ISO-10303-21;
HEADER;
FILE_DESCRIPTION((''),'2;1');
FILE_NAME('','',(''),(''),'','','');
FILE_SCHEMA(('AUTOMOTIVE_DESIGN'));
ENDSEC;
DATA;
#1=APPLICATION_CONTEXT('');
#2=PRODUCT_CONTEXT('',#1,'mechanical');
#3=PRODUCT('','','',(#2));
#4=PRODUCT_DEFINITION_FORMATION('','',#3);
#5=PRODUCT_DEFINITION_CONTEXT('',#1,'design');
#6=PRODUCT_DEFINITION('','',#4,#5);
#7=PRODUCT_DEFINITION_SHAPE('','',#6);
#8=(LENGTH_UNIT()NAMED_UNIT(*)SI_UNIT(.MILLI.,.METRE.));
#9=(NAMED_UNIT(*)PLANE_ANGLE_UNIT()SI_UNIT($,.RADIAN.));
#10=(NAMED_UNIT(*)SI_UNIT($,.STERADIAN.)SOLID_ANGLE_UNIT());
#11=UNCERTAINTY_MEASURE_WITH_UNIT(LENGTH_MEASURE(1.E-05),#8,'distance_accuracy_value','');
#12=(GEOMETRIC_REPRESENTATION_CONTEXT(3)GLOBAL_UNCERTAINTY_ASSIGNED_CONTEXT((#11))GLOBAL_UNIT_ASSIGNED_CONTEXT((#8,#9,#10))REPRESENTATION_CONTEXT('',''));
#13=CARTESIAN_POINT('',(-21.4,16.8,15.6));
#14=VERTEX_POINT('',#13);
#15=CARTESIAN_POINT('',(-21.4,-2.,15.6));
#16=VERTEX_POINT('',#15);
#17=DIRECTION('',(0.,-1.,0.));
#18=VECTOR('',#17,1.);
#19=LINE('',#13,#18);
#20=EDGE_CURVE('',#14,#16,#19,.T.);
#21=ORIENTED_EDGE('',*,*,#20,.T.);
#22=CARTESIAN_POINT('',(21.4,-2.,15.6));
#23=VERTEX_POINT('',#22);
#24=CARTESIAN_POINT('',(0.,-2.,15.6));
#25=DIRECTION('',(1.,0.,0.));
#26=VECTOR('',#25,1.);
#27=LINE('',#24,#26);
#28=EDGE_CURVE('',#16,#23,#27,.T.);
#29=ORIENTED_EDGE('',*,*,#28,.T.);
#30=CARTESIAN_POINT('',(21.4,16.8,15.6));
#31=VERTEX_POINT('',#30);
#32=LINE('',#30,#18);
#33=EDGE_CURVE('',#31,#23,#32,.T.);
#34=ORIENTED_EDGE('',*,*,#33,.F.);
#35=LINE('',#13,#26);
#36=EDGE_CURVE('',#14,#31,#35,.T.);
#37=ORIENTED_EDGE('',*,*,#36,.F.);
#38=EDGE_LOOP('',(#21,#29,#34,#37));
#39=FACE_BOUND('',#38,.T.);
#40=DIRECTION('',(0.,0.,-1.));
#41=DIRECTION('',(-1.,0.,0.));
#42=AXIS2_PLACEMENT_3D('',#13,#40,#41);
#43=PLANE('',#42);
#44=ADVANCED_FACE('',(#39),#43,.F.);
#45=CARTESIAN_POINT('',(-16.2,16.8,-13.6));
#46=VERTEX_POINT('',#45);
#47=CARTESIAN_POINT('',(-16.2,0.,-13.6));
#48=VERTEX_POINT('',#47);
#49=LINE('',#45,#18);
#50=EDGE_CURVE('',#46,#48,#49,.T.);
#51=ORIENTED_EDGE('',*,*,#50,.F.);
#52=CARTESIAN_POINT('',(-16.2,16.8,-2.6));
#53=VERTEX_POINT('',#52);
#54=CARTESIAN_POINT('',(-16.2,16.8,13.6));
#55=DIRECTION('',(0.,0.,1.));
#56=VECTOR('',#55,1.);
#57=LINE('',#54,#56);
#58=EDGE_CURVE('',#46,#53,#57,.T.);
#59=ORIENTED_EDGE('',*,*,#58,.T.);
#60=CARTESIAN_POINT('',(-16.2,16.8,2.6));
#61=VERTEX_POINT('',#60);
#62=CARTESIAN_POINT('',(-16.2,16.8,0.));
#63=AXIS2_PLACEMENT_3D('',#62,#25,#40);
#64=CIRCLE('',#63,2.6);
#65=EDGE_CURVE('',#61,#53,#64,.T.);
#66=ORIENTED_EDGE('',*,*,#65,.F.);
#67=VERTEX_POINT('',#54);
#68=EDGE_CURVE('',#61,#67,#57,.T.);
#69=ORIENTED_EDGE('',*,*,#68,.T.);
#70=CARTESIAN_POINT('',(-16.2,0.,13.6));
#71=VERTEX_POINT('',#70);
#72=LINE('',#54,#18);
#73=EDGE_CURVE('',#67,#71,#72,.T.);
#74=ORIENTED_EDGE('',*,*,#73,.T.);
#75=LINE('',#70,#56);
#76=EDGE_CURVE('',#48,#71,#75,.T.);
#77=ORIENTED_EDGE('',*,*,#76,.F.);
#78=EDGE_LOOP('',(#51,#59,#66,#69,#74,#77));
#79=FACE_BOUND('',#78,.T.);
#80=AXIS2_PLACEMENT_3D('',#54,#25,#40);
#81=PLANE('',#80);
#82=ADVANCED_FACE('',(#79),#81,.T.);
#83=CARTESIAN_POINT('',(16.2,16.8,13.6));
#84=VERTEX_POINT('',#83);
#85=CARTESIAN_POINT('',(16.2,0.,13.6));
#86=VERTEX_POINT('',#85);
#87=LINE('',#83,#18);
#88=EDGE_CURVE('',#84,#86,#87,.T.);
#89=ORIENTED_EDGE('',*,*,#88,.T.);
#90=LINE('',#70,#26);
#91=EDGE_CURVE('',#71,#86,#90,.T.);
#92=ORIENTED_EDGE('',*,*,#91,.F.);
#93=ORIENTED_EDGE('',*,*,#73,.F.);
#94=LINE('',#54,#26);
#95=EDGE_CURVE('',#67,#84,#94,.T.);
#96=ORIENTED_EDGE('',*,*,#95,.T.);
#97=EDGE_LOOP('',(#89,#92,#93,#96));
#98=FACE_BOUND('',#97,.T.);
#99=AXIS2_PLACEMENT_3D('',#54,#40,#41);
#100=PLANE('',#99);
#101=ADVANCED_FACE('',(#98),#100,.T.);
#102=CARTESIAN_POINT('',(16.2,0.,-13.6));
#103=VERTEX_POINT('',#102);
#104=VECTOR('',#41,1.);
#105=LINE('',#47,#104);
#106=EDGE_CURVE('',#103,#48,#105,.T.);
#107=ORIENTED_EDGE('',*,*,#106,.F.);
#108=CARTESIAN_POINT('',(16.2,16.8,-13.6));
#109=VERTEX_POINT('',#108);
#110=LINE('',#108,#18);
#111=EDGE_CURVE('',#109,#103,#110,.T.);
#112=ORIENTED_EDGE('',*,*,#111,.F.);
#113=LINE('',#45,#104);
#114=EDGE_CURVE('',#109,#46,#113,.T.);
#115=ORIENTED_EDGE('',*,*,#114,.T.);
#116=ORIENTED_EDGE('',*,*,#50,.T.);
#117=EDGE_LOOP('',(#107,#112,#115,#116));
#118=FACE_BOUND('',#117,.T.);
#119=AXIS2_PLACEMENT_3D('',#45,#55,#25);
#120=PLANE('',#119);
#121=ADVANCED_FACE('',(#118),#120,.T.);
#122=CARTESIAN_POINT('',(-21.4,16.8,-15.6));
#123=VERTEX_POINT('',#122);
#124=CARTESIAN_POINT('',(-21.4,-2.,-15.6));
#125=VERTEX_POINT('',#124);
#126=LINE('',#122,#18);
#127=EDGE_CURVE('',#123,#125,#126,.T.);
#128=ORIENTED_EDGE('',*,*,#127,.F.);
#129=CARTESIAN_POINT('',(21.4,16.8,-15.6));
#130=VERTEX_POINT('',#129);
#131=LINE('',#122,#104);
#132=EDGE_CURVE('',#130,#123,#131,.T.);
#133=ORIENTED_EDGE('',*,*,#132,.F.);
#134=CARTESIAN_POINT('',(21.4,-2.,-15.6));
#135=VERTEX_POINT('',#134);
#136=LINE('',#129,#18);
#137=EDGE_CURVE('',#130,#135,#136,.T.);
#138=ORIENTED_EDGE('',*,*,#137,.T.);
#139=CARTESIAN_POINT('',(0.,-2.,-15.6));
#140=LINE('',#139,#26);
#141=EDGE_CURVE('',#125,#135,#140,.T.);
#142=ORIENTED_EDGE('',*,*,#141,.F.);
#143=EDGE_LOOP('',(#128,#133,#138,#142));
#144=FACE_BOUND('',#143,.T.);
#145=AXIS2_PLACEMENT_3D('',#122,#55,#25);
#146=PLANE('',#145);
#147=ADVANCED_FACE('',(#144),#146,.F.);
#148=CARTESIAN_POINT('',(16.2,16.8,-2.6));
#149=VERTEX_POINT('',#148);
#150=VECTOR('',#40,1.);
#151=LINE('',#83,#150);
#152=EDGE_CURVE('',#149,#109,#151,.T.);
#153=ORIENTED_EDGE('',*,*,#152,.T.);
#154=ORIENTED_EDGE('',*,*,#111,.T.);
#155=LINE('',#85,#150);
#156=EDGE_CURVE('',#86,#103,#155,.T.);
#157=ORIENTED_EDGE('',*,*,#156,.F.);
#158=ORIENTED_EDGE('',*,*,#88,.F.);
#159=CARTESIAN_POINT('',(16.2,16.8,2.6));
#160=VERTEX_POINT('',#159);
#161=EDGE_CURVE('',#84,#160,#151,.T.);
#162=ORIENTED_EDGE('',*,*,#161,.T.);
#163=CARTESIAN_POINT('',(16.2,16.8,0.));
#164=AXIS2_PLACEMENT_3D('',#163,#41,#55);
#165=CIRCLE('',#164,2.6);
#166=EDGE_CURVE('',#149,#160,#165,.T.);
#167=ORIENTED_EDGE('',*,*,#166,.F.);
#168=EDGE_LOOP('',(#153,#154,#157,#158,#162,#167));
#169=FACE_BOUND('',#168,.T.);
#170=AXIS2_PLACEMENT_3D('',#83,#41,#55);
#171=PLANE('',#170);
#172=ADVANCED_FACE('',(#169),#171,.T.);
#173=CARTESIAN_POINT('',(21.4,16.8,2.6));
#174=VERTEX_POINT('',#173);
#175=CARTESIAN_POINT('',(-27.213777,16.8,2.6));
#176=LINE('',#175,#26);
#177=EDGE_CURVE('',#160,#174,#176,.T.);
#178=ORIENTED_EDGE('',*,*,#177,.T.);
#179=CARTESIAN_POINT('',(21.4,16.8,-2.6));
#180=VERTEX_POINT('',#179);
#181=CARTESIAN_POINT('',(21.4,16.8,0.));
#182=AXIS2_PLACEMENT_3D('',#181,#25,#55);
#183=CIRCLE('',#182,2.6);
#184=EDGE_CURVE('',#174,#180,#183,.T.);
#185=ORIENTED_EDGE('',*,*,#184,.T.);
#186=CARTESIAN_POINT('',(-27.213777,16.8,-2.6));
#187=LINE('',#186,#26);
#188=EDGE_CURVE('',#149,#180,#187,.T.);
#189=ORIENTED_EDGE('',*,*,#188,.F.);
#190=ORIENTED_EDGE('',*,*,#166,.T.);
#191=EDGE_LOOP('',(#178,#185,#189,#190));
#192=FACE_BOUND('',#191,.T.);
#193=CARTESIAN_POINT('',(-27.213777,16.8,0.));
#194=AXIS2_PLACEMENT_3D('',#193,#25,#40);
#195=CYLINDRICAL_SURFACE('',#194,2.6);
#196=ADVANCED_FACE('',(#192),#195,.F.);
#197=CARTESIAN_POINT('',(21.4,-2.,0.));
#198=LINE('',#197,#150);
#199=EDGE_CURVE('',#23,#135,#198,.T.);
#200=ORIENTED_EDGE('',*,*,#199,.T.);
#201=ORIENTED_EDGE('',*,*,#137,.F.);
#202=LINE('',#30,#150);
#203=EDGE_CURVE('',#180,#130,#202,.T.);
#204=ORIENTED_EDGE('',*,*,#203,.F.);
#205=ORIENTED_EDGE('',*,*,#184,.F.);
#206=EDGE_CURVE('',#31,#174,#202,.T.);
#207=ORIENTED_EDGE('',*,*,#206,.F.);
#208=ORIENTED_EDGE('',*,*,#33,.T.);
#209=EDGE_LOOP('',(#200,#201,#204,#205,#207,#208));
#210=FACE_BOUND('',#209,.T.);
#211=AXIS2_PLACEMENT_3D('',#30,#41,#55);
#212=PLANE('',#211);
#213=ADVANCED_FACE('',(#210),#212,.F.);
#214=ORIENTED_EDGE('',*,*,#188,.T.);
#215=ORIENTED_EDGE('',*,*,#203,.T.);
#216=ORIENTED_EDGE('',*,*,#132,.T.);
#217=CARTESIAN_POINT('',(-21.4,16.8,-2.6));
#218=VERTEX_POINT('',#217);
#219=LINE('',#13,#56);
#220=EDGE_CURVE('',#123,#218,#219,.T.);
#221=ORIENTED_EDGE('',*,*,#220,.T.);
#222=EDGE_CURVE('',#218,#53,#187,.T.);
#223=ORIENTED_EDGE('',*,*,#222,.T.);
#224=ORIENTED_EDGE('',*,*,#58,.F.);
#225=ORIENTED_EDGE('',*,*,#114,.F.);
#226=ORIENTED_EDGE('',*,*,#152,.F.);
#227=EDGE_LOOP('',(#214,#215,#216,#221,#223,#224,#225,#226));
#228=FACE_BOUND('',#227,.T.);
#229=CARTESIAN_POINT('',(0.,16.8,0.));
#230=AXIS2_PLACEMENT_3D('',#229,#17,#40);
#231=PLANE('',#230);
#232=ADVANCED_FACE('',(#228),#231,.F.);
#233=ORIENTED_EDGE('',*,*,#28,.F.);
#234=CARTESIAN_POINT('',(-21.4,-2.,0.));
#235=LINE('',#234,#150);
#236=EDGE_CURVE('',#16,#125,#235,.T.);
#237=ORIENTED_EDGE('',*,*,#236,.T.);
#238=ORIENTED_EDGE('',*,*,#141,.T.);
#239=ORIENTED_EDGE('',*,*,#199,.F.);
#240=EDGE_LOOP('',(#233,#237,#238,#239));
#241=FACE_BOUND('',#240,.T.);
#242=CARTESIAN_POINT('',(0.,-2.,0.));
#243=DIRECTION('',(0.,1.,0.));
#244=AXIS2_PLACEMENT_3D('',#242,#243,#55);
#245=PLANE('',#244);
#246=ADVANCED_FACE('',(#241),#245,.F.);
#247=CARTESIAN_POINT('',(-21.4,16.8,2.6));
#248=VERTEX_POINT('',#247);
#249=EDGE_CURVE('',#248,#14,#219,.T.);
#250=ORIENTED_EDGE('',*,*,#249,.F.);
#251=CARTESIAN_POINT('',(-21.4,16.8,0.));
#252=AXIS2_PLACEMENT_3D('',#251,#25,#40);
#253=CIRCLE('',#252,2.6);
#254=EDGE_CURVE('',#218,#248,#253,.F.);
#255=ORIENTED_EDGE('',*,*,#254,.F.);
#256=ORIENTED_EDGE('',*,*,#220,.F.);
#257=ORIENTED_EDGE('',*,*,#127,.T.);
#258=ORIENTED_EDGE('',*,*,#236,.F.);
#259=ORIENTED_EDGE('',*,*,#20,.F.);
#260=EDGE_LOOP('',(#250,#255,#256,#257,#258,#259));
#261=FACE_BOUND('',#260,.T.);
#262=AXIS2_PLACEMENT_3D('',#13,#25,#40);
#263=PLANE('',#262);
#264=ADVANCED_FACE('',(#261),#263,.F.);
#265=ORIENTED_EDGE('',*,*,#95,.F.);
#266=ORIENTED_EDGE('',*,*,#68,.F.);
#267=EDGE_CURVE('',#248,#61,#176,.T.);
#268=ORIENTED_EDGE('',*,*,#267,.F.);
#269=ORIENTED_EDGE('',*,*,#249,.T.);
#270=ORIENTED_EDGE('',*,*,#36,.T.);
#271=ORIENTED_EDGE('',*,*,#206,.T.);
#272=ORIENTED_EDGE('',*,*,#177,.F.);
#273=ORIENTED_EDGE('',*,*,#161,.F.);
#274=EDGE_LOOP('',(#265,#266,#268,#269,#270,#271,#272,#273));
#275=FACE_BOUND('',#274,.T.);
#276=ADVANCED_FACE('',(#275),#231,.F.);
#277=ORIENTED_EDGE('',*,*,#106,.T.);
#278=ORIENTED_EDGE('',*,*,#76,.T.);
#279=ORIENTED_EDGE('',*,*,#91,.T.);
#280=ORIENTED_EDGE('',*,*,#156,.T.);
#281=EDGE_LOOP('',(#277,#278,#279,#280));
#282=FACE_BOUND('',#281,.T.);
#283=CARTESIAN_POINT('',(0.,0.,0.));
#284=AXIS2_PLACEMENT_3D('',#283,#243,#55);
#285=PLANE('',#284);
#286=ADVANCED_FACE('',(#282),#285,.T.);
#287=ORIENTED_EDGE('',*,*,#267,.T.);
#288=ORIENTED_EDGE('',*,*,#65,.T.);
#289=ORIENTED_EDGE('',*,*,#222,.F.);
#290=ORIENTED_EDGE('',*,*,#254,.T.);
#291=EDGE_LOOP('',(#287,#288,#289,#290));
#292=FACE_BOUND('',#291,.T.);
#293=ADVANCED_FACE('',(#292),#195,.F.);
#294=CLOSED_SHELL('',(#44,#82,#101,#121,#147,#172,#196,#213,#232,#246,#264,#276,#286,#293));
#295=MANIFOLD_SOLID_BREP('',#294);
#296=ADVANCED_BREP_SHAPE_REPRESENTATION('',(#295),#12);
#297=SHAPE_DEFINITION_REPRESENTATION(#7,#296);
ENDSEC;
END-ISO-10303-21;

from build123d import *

# Parameters (mm, degrees)
CROQUIS1_W              = 42.8
CROQUIS1_H              = 31.2
CROQUIS1_W_2            = 32.4
CROQUIS1_H_2            = 27.2
SALIENTE_EXTRUIR1_DEPTH = 16.8
CROQUIS1_2_W            = 42.8
CROQUIS1_2_H            = 31.2
CROQUIS1_2_W_2          = 32.4
CROQUIS1_2_H_2          = 27.2
SALIENTE_EXTRUIR2_DEPTH = 2
CORTAR_EXTRUIR1_REACH   = 50.553


with BuildPart() as part:
    # Croquis1 → Saliente-Extruir1 (new body)
    with BuildSketch(Plane(origin=(0, 0, 0), x_dir=(1, 0, 0), z_dir=(0, 1, 0))):
        Rectangle(CROQUIS1_W, CROQUIS1_H)
        Rectangle(CROQUIS1_W_2, CROQUIS1_H_2, mode=Mode.SUBTRACT)
    extrude(amount=SALIENTE_EXTRUIR1_DEPTH)

    # Croquis1<2> → Saliente-Extruir2 (add)
    # profile 1 of 2: a face of its own
    with BuildSketch(Plane(origin=(0, 0, 0), x_dir=(1, 0, 0), z_dir=(0, 1, 0))):
        Rectangle(CROQUIS1_2_W, CROQUIS1_2_H)
        Rectangle(CROQUIS1_2_W_2, CROQUIS1_2_H_2, mode=Mode.SUBTRACT)
    # profile 2 of 2: a face of its own
    with BuildSketch(Plane(origin=(0, 0, 0), x_dir=(1, 0, 0), z_dir=(0, 1, 0))):
        Rectangle(CROQUIS1_2_W_2, CROQUIS1_2_H_2)
    extrude(amount=-SALIENTE_EXTRUIR2_DEPTH)

    # Cortar-Extruir1: up to this face of the body (flat: up to its plane)
    cortar_extruir1_end = Plane(part.part.faces().sort_by_distance((-21.4, 7.4, 0))[0])
    # Croquis2 → Cortar-Extruir1 (cut, up to the picked face)
    with BuildSketch(Plane(origin=(21.4, 0, 0), x_dir=(0, 0, -1), z_dir=(1, 0, 0)), mode=Mode.PRIVATE) as cortar_extruir1_sk1:
        with BuildLine():
            Line((-2.6, 16.8), (2.6, 16.8))
            ThreePointArc((2.6, 16.8), (0, 14.2), (-2.6, 16.8))
        make_face()
    cortar_extruir1_tool1 = split(extrude(cortar_extruir1_sk1.sketch, amount=-CORTAR_EXTRUIR1_REACH, mode=Mode.PRIVATE), bisect_by=cortar_extruir1_end, keep=Keep.BOTH, mode=Mode.PRIVATE)
    add(cortar_extruir1_tool1.solids().sort_by(Axis((21.4, 15.696526, 0), (-1, 0, 0)))[0], mode=Mode.SUBTRACT)


solid = part.part
